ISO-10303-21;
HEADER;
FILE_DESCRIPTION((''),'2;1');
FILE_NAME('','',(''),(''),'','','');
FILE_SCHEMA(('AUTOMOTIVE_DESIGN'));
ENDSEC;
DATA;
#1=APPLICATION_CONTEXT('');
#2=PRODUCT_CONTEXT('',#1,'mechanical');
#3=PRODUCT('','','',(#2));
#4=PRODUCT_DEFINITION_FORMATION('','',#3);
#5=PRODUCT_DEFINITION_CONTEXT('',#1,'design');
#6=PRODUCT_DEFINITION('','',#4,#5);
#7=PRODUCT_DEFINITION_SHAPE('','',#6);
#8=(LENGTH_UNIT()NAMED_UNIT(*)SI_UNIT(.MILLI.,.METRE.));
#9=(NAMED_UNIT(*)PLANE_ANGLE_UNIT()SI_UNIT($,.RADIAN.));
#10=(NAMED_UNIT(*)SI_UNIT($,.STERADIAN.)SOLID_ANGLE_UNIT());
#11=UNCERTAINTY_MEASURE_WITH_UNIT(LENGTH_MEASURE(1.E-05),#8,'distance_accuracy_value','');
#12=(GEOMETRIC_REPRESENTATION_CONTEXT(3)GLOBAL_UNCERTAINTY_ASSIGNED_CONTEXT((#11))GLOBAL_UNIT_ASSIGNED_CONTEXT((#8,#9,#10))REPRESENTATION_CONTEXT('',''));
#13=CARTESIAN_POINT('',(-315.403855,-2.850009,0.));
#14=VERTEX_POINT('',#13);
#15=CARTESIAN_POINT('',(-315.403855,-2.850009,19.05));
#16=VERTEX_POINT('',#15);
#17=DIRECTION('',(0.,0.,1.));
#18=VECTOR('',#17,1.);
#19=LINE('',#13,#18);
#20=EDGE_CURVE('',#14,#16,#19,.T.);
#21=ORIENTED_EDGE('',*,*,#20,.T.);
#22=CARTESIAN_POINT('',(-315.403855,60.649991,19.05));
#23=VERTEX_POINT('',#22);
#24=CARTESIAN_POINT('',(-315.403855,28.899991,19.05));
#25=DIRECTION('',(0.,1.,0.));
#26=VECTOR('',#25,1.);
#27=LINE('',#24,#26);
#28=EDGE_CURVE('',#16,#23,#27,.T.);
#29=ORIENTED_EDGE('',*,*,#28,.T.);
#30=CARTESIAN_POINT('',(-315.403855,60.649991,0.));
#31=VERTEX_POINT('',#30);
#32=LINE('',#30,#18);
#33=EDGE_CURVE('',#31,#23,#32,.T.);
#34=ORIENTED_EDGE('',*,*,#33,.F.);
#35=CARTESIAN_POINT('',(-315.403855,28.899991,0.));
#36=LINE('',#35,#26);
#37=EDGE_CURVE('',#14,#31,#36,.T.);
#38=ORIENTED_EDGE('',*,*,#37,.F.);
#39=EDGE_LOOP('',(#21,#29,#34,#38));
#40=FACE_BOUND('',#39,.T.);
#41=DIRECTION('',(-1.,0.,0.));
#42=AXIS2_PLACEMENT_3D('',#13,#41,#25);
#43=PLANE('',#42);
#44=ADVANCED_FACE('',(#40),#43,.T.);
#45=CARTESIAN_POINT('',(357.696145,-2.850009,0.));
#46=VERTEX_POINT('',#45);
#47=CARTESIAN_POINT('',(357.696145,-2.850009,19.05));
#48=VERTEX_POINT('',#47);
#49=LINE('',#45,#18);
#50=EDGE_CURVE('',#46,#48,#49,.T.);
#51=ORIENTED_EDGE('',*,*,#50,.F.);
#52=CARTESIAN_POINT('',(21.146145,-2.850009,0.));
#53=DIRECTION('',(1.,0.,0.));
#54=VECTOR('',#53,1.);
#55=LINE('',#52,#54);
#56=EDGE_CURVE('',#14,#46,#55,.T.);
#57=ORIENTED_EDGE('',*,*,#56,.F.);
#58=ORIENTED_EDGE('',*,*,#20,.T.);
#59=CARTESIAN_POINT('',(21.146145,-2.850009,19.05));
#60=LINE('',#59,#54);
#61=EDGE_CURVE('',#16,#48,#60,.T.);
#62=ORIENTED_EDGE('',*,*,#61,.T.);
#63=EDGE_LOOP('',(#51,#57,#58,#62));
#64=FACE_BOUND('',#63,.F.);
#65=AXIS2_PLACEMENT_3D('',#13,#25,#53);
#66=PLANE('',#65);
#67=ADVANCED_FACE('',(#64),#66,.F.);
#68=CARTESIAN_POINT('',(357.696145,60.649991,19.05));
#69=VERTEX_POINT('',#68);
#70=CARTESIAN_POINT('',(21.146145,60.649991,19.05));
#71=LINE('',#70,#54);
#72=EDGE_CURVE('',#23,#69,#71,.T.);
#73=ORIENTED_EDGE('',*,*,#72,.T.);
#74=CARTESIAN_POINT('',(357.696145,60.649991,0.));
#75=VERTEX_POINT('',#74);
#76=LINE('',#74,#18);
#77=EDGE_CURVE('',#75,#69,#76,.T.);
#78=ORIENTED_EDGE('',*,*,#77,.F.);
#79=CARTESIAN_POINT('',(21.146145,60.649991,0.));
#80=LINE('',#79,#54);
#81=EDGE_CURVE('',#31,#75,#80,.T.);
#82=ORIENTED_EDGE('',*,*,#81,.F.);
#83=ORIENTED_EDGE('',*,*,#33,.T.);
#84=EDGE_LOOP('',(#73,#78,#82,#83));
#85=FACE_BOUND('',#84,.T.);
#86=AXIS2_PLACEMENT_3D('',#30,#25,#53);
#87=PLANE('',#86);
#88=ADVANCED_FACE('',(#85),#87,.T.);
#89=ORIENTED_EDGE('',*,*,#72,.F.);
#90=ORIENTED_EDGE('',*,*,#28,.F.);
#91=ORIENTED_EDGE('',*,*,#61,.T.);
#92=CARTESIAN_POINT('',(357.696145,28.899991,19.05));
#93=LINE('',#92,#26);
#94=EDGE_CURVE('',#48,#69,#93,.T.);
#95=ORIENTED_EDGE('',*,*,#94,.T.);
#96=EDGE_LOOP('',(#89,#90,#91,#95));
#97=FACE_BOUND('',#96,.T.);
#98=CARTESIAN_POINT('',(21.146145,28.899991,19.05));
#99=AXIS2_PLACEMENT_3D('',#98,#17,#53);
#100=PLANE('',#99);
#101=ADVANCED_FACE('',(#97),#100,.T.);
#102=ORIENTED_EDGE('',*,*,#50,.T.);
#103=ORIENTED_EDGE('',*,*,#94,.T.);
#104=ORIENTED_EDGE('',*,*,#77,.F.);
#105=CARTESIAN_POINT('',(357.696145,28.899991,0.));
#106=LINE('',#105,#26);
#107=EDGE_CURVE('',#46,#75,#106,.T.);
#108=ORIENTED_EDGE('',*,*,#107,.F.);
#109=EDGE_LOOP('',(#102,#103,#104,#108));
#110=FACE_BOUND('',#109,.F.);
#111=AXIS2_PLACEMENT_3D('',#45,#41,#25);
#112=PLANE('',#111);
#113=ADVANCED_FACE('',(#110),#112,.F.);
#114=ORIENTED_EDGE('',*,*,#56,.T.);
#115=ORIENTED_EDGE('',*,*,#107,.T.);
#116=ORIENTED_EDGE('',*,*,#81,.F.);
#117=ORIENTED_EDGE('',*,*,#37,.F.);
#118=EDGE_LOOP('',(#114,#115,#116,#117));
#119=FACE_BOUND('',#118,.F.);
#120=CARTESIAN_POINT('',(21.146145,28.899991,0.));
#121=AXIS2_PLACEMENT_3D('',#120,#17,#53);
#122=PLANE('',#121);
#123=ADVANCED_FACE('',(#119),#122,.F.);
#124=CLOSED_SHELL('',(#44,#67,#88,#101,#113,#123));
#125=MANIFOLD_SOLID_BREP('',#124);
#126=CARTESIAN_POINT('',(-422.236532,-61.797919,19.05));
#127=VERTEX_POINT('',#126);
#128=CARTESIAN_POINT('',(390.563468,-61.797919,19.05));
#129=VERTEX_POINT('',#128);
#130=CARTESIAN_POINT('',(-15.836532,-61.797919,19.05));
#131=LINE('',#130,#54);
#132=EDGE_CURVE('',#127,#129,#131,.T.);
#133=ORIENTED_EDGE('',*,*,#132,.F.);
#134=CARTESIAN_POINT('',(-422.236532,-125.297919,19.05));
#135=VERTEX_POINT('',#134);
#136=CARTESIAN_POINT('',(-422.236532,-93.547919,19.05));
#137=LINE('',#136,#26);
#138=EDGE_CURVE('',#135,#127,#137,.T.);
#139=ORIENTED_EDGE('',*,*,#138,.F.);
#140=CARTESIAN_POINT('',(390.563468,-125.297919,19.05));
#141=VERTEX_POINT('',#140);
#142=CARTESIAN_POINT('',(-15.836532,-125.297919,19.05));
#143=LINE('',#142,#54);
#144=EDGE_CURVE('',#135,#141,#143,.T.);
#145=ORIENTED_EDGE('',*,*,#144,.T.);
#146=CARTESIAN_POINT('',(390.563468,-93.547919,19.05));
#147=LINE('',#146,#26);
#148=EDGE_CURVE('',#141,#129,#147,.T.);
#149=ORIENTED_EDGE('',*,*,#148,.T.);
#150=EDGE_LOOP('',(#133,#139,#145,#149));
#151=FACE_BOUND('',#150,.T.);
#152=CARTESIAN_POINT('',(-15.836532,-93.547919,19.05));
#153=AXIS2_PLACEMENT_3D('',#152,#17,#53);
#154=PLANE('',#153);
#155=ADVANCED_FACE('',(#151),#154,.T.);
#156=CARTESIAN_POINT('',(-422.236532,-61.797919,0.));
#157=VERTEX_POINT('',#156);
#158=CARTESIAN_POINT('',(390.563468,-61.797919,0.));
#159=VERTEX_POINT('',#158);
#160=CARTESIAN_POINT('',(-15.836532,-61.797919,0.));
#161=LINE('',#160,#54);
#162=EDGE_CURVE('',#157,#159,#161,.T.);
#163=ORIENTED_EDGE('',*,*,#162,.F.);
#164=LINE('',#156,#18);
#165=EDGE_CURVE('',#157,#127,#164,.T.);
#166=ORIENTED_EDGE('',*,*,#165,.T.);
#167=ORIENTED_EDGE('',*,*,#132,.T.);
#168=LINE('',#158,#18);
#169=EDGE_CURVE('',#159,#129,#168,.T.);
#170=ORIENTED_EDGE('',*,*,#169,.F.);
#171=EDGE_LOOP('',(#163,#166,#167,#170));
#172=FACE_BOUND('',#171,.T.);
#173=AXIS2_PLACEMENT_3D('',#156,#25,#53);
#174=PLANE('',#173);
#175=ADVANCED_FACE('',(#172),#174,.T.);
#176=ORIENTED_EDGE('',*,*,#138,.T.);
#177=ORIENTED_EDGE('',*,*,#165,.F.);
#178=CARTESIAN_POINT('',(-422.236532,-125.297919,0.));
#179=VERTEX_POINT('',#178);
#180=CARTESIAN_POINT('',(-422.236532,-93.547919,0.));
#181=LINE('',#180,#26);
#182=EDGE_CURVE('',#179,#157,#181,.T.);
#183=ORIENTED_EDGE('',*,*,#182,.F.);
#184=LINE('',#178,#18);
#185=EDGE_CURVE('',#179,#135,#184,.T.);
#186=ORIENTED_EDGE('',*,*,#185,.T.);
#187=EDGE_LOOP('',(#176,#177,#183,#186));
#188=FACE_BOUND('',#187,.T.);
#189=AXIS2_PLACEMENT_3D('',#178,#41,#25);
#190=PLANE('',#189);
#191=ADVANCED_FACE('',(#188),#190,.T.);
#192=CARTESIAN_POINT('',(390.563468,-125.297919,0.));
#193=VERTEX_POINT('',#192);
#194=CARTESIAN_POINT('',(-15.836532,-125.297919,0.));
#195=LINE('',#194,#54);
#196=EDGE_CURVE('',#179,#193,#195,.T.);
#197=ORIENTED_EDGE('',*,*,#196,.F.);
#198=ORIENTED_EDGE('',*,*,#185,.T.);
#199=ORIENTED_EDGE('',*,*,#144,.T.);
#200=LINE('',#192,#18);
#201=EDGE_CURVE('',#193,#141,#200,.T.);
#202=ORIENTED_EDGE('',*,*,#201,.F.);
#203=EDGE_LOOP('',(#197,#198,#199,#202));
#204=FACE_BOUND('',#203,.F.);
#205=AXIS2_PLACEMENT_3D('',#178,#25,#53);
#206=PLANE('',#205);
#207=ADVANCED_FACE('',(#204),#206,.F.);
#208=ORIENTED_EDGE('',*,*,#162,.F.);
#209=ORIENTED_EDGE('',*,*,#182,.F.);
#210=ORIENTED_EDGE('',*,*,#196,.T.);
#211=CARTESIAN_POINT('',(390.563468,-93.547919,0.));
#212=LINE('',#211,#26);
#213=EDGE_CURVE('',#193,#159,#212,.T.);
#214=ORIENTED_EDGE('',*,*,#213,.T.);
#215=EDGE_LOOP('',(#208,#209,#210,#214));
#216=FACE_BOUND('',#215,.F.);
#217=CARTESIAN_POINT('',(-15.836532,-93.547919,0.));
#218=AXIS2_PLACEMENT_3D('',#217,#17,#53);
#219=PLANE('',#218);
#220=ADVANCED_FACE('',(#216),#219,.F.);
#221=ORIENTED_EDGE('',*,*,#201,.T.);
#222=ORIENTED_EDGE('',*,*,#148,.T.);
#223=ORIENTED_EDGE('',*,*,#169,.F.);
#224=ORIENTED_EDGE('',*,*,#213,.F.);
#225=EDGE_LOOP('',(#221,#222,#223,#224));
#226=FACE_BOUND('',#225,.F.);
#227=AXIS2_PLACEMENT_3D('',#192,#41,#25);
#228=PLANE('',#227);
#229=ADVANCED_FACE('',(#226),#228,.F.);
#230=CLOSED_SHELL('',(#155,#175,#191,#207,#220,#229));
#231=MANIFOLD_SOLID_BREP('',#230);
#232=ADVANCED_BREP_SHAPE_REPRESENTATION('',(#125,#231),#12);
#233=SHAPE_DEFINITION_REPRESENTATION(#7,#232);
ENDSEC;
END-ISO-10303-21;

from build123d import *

# Parameters (mm, degrees)
F0_W     = 673.1
F0_H     = 63.5
F0_W_2   = 812.8
F1_DEPTH = 19.05


with BuildPart() as f1:
    # F0 (on Top) → F1 (new body)
    with BuildSketch(Plane.XY):
        with Locations((21.146145, 28.899991)):
            Rectangle(F0_W, F0_H)
        with Locations((-15.836532, -93.547919)):
            Rectangle(F0_W_2, F0_H)
    extrude(amount=F1_DEPTH)


solid = f1.part
